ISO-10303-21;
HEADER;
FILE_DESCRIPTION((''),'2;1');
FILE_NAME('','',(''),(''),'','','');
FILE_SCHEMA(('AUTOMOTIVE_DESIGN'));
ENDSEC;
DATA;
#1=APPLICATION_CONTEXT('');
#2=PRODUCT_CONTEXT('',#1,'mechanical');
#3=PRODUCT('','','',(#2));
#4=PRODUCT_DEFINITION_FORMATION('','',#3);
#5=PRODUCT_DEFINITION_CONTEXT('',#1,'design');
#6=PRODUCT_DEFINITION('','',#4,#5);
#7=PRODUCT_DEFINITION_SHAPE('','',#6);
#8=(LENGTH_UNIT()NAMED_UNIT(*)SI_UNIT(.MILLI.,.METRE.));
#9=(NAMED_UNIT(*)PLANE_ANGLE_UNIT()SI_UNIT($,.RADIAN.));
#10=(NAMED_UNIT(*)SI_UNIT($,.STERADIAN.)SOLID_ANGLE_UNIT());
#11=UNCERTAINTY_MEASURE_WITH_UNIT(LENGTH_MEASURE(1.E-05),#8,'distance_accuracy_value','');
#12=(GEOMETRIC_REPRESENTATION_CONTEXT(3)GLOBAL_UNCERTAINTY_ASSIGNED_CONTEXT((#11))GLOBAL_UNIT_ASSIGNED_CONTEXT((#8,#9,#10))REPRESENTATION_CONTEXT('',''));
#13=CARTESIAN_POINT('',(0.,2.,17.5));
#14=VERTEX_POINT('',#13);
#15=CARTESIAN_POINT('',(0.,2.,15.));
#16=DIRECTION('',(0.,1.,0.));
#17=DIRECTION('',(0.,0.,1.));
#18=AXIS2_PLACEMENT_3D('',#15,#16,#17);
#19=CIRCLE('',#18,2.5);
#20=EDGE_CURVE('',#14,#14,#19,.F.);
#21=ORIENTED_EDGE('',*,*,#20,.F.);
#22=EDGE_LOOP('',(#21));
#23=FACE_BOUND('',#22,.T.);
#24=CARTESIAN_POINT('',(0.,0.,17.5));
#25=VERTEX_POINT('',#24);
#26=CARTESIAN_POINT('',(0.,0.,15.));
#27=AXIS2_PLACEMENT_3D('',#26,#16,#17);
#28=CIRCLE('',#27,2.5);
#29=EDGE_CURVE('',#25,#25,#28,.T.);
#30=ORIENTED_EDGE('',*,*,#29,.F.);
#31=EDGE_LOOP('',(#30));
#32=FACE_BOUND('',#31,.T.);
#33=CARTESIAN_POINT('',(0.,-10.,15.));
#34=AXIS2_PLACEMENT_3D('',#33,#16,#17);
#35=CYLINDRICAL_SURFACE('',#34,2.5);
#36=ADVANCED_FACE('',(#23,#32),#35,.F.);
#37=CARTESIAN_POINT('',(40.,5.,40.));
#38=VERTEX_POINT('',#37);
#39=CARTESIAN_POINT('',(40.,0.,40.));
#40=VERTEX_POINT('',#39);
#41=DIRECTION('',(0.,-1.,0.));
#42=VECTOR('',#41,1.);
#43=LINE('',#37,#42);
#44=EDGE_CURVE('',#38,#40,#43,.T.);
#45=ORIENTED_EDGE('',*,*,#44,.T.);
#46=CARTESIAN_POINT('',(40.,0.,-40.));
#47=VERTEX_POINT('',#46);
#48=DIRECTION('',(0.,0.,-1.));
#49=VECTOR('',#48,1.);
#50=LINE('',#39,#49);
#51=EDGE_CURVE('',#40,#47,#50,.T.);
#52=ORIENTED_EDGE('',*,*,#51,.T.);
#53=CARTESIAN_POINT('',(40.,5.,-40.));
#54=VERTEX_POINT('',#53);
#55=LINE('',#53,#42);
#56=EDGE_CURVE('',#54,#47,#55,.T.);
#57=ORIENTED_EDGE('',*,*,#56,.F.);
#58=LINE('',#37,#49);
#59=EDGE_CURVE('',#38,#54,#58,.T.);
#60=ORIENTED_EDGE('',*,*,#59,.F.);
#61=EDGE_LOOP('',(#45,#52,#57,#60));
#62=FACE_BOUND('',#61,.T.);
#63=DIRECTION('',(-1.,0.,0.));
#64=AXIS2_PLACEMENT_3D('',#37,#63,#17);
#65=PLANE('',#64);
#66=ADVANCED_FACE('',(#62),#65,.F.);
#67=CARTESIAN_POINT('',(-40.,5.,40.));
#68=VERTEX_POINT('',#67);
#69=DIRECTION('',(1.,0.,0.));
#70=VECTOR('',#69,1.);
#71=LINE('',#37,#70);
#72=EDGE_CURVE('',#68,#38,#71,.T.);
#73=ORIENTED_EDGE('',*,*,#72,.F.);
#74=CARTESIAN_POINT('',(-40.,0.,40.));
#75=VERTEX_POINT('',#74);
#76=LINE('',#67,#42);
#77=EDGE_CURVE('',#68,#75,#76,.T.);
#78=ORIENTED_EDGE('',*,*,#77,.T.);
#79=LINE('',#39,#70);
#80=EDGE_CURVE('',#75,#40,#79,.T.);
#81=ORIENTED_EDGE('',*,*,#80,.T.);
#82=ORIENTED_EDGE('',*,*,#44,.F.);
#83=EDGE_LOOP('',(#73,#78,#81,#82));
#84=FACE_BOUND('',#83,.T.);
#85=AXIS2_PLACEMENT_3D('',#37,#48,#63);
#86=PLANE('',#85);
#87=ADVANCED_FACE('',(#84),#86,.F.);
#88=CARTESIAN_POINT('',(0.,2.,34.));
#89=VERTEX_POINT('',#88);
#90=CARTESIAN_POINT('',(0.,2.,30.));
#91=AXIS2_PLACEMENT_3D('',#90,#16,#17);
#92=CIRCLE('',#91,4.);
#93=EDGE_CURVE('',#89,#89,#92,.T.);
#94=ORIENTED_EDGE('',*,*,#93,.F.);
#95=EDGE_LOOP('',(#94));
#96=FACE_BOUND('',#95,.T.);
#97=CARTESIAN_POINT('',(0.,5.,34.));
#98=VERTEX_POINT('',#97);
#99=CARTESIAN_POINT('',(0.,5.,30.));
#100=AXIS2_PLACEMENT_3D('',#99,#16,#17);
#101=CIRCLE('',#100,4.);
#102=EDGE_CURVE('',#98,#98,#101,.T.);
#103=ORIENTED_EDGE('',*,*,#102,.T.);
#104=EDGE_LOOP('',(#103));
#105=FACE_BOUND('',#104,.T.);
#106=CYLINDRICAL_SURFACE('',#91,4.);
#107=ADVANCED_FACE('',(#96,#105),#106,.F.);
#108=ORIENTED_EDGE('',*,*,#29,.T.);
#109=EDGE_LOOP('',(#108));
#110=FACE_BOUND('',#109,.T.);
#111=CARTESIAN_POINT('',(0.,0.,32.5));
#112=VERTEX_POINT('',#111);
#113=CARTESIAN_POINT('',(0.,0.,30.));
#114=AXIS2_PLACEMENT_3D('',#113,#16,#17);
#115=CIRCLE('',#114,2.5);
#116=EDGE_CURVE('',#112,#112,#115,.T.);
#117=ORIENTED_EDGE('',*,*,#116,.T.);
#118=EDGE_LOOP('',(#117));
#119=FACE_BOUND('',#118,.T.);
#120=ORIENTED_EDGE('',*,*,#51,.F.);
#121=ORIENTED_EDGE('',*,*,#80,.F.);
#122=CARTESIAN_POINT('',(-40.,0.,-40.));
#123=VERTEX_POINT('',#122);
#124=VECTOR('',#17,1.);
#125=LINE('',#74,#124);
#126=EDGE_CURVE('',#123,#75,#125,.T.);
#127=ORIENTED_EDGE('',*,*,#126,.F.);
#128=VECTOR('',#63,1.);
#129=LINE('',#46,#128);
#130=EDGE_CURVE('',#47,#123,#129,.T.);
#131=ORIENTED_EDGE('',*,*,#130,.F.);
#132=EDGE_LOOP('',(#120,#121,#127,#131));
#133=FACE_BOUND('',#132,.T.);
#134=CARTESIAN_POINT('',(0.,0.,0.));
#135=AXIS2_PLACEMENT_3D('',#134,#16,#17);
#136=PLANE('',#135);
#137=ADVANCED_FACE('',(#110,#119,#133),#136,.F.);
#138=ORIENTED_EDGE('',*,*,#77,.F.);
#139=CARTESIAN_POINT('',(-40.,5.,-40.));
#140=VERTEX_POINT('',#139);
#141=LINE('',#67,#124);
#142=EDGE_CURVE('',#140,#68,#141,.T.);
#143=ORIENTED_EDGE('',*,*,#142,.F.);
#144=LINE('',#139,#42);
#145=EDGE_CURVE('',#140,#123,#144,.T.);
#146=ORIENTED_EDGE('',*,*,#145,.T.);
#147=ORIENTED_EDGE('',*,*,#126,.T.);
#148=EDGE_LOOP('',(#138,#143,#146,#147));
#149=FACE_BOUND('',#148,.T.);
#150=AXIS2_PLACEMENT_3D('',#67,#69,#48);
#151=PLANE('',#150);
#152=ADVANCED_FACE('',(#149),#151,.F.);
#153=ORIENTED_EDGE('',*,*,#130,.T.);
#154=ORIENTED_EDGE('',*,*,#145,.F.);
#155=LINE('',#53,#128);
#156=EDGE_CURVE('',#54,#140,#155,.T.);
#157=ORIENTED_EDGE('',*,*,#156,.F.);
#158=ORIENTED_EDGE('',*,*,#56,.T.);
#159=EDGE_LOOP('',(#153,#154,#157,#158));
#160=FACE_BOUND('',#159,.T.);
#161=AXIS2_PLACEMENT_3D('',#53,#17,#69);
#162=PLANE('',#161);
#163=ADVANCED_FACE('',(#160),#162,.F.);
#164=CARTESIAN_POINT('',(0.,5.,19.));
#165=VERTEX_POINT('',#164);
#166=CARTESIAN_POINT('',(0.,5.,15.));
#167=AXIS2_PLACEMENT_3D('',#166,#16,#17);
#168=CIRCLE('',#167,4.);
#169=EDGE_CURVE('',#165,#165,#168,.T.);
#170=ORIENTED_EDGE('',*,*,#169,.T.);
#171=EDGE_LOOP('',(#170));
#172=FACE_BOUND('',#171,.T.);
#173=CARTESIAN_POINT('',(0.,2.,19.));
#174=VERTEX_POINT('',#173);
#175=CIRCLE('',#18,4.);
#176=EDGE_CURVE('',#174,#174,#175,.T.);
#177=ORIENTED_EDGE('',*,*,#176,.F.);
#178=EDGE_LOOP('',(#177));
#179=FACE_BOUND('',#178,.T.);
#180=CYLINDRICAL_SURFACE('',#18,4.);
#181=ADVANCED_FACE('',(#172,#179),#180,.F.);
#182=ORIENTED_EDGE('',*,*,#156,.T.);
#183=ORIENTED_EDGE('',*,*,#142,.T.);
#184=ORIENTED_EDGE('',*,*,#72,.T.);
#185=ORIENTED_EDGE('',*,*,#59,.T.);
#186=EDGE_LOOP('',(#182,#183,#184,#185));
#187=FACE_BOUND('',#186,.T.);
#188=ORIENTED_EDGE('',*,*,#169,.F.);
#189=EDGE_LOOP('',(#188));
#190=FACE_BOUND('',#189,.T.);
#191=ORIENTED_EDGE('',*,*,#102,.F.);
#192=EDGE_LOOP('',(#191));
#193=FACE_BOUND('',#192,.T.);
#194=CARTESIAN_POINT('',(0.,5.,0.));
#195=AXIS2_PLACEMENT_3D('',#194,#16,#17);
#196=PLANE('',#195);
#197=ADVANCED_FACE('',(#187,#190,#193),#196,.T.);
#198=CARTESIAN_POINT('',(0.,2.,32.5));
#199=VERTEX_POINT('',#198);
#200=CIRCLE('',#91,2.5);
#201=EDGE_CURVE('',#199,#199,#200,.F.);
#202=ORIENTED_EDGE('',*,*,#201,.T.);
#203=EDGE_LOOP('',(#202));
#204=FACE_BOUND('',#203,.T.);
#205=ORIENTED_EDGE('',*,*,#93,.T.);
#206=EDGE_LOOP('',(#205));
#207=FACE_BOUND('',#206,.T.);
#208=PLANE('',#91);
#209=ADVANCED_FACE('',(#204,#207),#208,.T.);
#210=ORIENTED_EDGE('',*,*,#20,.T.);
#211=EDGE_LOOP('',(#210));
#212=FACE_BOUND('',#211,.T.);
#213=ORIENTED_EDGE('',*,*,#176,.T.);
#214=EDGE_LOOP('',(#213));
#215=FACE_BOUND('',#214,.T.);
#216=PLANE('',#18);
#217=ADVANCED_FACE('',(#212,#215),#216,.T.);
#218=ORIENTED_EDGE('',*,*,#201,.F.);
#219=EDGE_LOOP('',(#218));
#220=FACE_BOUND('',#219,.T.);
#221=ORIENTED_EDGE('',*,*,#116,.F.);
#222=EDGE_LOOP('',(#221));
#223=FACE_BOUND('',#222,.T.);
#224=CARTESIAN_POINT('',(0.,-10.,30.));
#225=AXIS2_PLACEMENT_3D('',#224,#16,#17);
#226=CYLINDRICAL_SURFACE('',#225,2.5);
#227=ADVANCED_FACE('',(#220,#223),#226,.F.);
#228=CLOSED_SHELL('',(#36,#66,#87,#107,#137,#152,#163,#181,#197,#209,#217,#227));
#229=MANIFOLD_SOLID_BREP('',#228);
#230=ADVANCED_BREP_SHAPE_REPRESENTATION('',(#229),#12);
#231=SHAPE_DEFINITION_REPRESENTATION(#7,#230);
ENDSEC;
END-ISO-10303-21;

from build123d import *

# Parameters (mm, degrees)
SKETCH1_W           = 80
SKETCH1_H           = 80
BOSS_EXTRUDE1_DEPTH = 5
SKETCH2_R           = 2.5
CUT_EXTRUDE1_DEPTH  = 15
SKETCH3_R           = 4
CUT_EXTRUDE2_DEPTH  = 3


with BuildPart() as part:
    # Sketch1 → Boss-Extrude1 (new body)
    with BuildSketch(Plane(origin=(0, 0, 0), x_dir=(1, 0, 0), z_dir=(0, 1, 0))):
        Rectangle(SKETCH1_W, SKETCH1_H)
    extrude(amount=BOSS_EXTRUDE1_DEPTH)

    # Sketch2 → Cut-Extrude1 (cut)
    with BuildSketch(Plane(origin=(0, 5, 0), x_dir=(1, 0, 0), z_dir=(0, 1, 0))):
        with Locations(Location((0, -15, 0), (0, 0, 270))):
            Circle(SKETCH2_R)
        with Locations(Location((0, -30, 0), (0, 0, 270))):
            Circle(SKETCH2_R)
    extrude(amount=-CUT_EXTRUDE1_DEPTH, mode=Mode.SUBTRACT)

    # Sketch3 → Cut-Extrude2 (cut)
    with BuildSketch(Plane(origin=(0, 5, 0), x_dir=(1, 0, 0), z_dir=(0, 1, 0))):
        with Locations(Location((0, -15, 0), (0, 0, 270))):
            Circle(SKETCH3_R)
        with Locations(Location((0, -30, 0), (0, 0, 270))):
            Circle(SKETCH3_R)
    extrude(amount=-CUT_EXTRUDE2_DEPTH, mode=Mode.SUBTRACT)


solid = part.part
